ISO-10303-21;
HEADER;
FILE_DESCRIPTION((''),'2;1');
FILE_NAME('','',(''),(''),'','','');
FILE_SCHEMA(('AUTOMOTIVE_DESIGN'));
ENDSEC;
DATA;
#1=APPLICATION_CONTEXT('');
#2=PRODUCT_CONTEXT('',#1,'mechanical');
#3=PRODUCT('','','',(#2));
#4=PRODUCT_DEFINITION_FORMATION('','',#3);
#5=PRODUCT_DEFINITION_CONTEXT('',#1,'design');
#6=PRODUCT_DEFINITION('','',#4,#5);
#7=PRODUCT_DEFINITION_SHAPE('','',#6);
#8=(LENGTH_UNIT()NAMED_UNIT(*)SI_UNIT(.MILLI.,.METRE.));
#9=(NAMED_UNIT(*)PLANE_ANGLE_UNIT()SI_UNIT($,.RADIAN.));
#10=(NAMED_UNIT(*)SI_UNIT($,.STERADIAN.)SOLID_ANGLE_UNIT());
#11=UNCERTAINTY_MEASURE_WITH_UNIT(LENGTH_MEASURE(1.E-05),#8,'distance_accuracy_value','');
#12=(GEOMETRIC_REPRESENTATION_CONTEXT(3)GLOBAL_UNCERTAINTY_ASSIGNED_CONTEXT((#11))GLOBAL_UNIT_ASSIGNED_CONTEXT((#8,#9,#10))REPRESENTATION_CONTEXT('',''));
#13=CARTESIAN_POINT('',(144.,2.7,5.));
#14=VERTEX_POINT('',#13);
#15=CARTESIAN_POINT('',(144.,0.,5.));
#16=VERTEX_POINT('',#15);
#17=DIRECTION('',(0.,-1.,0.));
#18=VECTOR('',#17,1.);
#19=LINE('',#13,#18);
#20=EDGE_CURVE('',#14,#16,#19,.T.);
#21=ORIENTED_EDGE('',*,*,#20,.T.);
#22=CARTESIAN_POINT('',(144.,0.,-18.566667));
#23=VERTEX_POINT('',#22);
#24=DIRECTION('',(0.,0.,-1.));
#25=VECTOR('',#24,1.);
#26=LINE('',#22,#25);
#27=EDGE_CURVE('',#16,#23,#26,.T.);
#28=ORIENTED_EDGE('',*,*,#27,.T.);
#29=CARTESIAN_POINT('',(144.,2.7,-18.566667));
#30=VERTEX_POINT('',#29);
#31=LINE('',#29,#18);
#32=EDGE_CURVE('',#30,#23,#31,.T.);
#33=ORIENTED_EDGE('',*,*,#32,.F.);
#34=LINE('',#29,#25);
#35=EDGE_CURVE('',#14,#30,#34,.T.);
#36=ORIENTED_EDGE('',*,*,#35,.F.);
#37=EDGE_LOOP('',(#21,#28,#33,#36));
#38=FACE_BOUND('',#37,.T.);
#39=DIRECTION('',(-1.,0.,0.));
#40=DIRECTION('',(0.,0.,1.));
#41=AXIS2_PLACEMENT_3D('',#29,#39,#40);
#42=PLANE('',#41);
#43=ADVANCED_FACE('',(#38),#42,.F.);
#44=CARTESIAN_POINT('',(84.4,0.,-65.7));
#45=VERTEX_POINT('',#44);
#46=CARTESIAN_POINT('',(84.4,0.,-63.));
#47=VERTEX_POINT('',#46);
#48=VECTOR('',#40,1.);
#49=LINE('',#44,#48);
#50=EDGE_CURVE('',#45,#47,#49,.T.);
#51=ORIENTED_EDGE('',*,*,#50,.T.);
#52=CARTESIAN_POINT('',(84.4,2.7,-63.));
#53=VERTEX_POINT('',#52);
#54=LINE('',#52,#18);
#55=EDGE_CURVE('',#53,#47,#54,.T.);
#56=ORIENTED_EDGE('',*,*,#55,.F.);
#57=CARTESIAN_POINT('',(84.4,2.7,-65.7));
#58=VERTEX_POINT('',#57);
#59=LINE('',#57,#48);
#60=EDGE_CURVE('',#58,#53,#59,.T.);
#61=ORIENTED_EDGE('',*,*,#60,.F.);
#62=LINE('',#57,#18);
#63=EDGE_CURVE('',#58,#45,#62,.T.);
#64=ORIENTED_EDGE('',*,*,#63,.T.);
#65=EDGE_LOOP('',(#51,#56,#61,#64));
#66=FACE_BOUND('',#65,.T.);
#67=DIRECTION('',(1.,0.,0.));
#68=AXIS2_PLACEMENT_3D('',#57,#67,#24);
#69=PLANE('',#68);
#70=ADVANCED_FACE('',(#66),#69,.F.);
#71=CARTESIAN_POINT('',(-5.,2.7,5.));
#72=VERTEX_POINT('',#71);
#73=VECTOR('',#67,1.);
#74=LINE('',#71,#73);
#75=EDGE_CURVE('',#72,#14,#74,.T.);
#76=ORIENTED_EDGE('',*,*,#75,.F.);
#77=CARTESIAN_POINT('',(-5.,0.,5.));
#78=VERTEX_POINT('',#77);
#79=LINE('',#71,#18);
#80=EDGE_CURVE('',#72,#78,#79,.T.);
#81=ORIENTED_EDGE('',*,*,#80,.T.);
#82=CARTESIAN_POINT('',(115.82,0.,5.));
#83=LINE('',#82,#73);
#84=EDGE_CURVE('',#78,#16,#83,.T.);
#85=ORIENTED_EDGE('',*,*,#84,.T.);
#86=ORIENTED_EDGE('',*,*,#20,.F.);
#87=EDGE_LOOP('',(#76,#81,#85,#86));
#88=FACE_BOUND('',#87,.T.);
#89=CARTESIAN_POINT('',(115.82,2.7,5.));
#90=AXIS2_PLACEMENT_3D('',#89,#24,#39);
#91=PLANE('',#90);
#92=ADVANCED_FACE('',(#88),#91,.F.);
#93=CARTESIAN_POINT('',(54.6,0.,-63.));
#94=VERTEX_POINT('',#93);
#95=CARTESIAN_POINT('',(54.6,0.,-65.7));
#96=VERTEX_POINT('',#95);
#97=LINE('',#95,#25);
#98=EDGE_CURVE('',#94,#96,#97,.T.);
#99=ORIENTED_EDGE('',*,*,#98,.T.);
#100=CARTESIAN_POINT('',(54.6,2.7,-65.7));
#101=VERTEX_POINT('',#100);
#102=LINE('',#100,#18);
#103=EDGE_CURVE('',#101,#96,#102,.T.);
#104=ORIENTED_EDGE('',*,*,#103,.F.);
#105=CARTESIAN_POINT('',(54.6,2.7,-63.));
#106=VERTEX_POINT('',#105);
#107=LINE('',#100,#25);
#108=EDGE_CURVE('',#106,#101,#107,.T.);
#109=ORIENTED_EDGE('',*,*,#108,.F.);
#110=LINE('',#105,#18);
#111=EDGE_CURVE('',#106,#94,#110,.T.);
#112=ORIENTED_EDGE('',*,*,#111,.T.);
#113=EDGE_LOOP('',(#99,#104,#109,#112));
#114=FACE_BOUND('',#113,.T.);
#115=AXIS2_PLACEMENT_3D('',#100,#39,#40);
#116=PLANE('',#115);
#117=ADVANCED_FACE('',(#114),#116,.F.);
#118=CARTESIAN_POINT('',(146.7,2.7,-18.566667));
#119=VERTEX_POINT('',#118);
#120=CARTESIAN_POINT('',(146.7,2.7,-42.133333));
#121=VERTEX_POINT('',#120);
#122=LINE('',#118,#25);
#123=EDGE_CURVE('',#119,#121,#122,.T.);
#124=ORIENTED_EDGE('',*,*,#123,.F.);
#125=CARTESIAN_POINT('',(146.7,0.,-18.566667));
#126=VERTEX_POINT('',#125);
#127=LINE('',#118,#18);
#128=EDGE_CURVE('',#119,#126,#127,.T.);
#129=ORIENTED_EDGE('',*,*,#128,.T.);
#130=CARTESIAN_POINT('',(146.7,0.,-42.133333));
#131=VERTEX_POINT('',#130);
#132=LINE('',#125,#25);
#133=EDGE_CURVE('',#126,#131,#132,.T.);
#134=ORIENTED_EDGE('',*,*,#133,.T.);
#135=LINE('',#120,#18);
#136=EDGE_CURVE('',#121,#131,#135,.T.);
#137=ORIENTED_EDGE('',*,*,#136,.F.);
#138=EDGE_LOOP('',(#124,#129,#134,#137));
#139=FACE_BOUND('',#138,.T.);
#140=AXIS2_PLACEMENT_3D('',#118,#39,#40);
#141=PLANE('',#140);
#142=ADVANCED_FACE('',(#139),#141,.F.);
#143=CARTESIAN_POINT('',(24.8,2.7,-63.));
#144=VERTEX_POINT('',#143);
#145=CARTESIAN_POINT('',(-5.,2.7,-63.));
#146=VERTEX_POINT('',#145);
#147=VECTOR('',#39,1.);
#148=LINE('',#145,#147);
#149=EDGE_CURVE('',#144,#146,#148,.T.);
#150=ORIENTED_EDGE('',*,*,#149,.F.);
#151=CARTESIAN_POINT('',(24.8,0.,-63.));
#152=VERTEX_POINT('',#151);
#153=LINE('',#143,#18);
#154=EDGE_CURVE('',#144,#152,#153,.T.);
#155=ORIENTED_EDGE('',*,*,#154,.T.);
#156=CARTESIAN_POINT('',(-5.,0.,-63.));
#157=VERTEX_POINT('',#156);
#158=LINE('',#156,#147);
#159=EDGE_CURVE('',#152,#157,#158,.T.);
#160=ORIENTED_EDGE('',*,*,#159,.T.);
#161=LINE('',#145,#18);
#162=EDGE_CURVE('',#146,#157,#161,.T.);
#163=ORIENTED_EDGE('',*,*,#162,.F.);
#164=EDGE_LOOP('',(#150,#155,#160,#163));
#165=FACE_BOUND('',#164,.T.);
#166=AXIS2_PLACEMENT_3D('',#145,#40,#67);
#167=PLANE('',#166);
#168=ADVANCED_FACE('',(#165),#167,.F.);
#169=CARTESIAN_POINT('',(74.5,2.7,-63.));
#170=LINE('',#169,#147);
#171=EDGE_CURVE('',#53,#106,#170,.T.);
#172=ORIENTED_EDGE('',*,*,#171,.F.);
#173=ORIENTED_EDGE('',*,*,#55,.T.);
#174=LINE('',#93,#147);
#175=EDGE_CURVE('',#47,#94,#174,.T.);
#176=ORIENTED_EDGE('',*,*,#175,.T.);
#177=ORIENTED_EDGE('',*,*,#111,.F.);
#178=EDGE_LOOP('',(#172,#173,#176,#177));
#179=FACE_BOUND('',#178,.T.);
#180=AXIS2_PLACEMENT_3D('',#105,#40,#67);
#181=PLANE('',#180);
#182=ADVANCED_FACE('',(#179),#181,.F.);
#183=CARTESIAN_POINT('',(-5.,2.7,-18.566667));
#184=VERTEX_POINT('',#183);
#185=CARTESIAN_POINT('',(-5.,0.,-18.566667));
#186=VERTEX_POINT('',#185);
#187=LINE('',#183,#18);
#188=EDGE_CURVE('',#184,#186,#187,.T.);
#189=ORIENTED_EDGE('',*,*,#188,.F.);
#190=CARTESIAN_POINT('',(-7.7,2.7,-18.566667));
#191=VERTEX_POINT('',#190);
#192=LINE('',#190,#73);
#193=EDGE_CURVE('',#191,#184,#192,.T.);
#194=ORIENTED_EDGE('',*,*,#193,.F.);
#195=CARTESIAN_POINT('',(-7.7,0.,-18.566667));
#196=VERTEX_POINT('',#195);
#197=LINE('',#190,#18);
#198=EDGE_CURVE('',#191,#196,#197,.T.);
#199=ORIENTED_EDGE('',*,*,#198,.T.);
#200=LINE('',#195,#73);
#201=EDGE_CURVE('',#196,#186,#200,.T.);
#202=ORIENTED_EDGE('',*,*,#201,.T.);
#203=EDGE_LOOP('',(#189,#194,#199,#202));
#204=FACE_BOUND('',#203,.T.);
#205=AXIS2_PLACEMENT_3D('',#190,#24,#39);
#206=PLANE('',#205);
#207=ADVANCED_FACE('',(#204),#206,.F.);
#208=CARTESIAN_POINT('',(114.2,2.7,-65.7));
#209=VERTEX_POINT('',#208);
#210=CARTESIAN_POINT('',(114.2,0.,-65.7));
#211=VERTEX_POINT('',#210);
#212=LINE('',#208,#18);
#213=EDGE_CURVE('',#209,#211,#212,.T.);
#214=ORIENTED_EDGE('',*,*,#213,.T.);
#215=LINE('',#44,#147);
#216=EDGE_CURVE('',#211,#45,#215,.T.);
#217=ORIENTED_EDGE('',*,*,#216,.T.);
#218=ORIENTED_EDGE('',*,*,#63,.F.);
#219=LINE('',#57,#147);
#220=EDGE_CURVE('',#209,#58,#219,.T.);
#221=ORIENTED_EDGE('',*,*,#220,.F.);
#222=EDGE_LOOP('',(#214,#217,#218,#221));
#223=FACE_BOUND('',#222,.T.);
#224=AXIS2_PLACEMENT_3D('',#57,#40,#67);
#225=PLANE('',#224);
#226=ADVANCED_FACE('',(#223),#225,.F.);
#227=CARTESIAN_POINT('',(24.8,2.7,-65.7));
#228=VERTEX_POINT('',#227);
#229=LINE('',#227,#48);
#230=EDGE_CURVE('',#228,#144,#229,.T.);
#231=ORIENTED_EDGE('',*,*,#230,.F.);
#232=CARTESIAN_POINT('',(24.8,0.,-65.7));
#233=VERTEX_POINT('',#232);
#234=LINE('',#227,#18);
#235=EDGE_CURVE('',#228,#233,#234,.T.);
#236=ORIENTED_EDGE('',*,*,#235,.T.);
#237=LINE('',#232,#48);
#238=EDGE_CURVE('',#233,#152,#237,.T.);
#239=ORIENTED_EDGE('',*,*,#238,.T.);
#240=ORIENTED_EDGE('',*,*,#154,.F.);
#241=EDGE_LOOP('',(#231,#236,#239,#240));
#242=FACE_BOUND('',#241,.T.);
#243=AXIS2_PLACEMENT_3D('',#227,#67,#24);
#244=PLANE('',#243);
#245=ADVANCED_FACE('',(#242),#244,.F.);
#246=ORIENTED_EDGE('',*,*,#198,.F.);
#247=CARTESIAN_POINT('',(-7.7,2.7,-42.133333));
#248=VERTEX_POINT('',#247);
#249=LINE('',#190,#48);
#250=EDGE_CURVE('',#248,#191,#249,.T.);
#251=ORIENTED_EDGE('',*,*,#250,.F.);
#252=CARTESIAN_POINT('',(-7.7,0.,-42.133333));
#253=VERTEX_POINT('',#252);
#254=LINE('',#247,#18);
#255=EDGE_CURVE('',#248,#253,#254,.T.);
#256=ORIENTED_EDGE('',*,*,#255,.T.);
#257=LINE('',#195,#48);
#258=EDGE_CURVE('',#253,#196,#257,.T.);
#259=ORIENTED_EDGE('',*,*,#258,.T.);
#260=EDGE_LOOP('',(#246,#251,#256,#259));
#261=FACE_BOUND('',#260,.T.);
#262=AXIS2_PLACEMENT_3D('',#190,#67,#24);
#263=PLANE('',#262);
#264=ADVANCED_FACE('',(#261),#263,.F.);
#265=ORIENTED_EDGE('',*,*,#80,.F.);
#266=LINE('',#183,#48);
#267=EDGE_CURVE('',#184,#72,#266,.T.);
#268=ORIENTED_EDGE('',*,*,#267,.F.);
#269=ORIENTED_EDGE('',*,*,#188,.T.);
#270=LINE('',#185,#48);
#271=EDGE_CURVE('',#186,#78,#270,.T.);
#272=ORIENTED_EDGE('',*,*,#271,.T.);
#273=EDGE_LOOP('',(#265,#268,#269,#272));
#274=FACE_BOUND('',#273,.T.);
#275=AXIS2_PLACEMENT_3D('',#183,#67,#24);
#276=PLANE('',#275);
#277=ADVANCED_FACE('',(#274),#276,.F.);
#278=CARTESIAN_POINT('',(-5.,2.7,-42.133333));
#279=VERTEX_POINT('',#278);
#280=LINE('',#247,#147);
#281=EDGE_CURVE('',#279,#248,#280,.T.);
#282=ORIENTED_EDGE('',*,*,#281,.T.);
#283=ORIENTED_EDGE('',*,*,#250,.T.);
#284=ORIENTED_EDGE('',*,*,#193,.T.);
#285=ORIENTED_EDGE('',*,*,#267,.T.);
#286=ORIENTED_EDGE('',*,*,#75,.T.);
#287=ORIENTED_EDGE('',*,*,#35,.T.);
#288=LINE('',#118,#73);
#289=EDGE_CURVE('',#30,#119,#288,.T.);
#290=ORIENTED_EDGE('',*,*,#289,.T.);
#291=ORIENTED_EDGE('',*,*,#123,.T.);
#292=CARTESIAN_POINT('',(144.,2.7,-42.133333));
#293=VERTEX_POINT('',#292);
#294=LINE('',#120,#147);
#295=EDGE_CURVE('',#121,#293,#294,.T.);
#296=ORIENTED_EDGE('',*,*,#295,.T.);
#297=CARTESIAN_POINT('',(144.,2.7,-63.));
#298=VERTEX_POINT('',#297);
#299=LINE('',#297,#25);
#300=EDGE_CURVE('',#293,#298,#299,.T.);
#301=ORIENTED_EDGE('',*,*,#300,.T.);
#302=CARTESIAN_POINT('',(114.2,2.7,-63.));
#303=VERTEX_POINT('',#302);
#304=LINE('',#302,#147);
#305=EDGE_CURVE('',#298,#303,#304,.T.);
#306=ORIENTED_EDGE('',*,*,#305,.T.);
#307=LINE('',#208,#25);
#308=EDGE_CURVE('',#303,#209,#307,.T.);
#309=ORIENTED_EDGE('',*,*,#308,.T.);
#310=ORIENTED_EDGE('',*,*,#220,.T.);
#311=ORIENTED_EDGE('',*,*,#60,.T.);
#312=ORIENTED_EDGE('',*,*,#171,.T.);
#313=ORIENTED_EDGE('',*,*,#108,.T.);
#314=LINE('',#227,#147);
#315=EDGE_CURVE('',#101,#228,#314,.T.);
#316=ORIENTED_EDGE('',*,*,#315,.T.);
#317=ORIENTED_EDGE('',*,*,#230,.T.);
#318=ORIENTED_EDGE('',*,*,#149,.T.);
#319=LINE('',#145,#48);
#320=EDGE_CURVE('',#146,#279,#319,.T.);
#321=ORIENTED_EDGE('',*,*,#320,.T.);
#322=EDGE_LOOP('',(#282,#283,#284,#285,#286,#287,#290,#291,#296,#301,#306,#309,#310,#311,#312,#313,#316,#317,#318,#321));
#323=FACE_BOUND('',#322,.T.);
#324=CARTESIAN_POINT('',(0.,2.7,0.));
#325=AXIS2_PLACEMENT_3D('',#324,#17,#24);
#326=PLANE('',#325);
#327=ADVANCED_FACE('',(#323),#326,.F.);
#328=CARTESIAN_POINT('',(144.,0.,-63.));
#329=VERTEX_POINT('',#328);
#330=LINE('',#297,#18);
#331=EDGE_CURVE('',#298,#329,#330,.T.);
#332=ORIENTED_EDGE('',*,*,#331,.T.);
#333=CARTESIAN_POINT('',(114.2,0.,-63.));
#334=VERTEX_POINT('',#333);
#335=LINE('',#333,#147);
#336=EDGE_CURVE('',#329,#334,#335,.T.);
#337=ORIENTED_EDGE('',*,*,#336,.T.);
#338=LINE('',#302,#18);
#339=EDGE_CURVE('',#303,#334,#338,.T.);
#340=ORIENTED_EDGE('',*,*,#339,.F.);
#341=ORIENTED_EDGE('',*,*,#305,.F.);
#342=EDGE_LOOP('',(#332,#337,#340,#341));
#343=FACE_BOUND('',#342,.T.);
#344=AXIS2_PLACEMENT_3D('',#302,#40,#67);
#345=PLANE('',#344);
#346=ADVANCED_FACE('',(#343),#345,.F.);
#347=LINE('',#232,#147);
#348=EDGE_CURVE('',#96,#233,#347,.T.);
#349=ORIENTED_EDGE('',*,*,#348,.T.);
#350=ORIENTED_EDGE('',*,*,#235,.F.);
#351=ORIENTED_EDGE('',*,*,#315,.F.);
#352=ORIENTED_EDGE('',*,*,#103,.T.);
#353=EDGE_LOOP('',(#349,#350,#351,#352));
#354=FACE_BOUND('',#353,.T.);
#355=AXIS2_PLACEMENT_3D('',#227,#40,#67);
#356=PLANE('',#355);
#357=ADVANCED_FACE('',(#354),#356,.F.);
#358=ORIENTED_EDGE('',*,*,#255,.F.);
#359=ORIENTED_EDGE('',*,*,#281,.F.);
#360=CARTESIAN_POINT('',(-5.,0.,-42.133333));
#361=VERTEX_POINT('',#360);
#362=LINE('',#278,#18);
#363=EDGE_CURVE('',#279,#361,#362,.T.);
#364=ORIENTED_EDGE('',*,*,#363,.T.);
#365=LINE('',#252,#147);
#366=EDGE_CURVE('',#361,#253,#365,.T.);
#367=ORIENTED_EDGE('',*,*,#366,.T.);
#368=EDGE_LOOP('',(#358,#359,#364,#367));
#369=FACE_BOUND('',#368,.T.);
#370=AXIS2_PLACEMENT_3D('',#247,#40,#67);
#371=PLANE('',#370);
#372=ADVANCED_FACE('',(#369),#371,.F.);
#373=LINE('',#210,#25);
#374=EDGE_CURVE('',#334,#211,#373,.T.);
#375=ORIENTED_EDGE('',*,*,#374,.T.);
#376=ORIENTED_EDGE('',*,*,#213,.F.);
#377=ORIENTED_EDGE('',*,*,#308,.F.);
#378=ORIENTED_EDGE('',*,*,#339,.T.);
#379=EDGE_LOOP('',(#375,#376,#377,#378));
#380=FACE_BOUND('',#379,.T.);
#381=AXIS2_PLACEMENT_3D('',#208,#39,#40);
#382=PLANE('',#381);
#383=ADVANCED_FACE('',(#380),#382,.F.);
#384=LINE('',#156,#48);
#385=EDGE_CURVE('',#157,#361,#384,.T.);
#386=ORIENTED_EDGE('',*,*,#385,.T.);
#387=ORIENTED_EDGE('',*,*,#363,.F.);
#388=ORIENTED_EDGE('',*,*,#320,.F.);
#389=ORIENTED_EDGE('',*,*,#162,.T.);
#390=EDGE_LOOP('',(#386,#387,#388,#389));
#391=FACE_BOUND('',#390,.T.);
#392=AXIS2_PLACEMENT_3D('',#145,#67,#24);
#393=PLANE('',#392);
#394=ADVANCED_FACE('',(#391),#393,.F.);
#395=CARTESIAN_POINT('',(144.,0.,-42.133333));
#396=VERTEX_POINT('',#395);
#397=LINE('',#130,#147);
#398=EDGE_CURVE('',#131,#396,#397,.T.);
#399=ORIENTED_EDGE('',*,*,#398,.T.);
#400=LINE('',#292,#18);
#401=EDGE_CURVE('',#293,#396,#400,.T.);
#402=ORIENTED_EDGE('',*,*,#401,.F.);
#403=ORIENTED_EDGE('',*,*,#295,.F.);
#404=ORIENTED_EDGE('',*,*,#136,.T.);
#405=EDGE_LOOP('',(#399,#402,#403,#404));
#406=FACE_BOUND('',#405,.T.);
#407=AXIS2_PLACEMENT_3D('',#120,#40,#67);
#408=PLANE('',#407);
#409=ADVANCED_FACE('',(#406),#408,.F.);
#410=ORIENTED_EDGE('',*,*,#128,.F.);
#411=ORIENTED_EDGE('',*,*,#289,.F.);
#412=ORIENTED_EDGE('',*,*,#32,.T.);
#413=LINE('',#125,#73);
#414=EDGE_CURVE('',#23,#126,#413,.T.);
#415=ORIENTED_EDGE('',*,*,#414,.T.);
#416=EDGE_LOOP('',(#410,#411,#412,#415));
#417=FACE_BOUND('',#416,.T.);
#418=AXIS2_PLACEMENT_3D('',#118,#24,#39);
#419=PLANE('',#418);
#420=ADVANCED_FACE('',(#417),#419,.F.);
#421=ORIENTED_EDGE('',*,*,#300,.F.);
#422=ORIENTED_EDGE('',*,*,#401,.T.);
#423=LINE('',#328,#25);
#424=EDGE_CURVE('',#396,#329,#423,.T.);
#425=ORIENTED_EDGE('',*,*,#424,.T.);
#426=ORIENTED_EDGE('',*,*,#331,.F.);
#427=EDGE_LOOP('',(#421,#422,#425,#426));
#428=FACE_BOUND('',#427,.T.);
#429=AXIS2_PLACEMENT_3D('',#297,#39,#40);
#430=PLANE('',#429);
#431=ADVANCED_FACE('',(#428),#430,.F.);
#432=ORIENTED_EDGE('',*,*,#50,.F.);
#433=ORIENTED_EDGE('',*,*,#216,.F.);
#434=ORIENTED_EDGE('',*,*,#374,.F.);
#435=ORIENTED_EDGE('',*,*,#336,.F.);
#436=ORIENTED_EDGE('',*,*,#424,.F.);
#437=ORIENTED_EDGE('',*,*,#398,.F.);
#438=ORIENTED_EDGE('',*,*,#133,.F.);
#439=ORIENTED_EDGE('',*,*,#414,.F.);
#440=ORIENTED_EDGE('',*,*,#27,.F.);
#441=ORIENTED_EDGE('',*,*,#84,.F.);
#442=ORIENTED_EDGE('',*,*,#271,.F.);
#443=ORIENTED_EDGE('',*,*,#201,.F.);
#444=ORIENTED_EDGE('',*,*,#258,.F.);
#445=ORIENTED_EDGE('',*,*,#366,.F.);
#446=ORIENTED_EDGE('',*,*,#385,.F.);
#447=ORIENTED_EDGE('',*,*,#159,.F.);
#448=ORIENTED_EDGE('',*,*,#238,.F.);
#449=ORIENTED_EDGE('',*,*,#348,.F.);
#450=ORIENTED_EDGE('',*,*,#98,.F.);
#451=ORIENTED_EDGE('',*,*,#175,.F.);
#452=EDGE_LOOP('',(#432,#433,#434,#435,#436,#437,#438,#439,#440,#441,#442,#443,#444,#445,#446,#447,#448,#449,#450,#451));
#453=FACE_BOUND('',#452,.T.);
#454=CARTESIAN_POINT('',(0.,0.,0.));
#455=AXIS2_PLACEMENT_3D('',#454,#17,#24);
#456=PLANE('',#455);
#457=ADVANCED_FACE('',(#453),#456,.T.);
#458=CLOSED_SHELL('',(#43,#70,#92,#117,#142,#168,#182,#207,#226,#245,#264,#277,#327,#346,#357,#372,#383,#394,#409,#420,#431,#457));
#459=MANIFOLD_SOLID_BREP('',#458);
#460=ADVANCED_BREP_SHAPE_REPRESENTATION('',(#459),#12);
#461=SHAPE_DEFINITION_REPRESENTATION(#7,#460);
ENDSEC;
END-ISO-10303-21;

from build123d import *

# Parameters (mm, degrees)
BOSS_EXTRUDE1_DEPTH = 2.7


with BuildPart() as part:
    # Sketch1 → Boss-Extrude1 (new body)
    with BuildSketch(Plane(origin=(0, 0, 0), x_dir=(1, 0, 0), z_dir=(0, 1, 0))):
        Polygon((144, 18.566666667), (144, -5), (115.82, -5), (84.94, -5), (74.5, -5), (64.5, -5), (54.06, -5), (23.18, -5), (-5, -5), (-5, 18.566666667), (-7.7, 18.566666667), (-7.7, 42.133333333), (-5, 42.133333333), (-5, 63), (24.8, 63), (24.8, 65.7), (54.6, 65.7), (54.6, 63), (64.5, 63), (74.5, 63), (84.4, 63), (84.4, 65.7), (114.2, 65.7), (114.2, 63), (144, 63), (144, 42.133333333), (146.7, 42.133333333), (146.7, 18.566666667), align=None)
    extrude(amount=BOSS_EXTRUDE1_DEPTH)


solid = part.part
